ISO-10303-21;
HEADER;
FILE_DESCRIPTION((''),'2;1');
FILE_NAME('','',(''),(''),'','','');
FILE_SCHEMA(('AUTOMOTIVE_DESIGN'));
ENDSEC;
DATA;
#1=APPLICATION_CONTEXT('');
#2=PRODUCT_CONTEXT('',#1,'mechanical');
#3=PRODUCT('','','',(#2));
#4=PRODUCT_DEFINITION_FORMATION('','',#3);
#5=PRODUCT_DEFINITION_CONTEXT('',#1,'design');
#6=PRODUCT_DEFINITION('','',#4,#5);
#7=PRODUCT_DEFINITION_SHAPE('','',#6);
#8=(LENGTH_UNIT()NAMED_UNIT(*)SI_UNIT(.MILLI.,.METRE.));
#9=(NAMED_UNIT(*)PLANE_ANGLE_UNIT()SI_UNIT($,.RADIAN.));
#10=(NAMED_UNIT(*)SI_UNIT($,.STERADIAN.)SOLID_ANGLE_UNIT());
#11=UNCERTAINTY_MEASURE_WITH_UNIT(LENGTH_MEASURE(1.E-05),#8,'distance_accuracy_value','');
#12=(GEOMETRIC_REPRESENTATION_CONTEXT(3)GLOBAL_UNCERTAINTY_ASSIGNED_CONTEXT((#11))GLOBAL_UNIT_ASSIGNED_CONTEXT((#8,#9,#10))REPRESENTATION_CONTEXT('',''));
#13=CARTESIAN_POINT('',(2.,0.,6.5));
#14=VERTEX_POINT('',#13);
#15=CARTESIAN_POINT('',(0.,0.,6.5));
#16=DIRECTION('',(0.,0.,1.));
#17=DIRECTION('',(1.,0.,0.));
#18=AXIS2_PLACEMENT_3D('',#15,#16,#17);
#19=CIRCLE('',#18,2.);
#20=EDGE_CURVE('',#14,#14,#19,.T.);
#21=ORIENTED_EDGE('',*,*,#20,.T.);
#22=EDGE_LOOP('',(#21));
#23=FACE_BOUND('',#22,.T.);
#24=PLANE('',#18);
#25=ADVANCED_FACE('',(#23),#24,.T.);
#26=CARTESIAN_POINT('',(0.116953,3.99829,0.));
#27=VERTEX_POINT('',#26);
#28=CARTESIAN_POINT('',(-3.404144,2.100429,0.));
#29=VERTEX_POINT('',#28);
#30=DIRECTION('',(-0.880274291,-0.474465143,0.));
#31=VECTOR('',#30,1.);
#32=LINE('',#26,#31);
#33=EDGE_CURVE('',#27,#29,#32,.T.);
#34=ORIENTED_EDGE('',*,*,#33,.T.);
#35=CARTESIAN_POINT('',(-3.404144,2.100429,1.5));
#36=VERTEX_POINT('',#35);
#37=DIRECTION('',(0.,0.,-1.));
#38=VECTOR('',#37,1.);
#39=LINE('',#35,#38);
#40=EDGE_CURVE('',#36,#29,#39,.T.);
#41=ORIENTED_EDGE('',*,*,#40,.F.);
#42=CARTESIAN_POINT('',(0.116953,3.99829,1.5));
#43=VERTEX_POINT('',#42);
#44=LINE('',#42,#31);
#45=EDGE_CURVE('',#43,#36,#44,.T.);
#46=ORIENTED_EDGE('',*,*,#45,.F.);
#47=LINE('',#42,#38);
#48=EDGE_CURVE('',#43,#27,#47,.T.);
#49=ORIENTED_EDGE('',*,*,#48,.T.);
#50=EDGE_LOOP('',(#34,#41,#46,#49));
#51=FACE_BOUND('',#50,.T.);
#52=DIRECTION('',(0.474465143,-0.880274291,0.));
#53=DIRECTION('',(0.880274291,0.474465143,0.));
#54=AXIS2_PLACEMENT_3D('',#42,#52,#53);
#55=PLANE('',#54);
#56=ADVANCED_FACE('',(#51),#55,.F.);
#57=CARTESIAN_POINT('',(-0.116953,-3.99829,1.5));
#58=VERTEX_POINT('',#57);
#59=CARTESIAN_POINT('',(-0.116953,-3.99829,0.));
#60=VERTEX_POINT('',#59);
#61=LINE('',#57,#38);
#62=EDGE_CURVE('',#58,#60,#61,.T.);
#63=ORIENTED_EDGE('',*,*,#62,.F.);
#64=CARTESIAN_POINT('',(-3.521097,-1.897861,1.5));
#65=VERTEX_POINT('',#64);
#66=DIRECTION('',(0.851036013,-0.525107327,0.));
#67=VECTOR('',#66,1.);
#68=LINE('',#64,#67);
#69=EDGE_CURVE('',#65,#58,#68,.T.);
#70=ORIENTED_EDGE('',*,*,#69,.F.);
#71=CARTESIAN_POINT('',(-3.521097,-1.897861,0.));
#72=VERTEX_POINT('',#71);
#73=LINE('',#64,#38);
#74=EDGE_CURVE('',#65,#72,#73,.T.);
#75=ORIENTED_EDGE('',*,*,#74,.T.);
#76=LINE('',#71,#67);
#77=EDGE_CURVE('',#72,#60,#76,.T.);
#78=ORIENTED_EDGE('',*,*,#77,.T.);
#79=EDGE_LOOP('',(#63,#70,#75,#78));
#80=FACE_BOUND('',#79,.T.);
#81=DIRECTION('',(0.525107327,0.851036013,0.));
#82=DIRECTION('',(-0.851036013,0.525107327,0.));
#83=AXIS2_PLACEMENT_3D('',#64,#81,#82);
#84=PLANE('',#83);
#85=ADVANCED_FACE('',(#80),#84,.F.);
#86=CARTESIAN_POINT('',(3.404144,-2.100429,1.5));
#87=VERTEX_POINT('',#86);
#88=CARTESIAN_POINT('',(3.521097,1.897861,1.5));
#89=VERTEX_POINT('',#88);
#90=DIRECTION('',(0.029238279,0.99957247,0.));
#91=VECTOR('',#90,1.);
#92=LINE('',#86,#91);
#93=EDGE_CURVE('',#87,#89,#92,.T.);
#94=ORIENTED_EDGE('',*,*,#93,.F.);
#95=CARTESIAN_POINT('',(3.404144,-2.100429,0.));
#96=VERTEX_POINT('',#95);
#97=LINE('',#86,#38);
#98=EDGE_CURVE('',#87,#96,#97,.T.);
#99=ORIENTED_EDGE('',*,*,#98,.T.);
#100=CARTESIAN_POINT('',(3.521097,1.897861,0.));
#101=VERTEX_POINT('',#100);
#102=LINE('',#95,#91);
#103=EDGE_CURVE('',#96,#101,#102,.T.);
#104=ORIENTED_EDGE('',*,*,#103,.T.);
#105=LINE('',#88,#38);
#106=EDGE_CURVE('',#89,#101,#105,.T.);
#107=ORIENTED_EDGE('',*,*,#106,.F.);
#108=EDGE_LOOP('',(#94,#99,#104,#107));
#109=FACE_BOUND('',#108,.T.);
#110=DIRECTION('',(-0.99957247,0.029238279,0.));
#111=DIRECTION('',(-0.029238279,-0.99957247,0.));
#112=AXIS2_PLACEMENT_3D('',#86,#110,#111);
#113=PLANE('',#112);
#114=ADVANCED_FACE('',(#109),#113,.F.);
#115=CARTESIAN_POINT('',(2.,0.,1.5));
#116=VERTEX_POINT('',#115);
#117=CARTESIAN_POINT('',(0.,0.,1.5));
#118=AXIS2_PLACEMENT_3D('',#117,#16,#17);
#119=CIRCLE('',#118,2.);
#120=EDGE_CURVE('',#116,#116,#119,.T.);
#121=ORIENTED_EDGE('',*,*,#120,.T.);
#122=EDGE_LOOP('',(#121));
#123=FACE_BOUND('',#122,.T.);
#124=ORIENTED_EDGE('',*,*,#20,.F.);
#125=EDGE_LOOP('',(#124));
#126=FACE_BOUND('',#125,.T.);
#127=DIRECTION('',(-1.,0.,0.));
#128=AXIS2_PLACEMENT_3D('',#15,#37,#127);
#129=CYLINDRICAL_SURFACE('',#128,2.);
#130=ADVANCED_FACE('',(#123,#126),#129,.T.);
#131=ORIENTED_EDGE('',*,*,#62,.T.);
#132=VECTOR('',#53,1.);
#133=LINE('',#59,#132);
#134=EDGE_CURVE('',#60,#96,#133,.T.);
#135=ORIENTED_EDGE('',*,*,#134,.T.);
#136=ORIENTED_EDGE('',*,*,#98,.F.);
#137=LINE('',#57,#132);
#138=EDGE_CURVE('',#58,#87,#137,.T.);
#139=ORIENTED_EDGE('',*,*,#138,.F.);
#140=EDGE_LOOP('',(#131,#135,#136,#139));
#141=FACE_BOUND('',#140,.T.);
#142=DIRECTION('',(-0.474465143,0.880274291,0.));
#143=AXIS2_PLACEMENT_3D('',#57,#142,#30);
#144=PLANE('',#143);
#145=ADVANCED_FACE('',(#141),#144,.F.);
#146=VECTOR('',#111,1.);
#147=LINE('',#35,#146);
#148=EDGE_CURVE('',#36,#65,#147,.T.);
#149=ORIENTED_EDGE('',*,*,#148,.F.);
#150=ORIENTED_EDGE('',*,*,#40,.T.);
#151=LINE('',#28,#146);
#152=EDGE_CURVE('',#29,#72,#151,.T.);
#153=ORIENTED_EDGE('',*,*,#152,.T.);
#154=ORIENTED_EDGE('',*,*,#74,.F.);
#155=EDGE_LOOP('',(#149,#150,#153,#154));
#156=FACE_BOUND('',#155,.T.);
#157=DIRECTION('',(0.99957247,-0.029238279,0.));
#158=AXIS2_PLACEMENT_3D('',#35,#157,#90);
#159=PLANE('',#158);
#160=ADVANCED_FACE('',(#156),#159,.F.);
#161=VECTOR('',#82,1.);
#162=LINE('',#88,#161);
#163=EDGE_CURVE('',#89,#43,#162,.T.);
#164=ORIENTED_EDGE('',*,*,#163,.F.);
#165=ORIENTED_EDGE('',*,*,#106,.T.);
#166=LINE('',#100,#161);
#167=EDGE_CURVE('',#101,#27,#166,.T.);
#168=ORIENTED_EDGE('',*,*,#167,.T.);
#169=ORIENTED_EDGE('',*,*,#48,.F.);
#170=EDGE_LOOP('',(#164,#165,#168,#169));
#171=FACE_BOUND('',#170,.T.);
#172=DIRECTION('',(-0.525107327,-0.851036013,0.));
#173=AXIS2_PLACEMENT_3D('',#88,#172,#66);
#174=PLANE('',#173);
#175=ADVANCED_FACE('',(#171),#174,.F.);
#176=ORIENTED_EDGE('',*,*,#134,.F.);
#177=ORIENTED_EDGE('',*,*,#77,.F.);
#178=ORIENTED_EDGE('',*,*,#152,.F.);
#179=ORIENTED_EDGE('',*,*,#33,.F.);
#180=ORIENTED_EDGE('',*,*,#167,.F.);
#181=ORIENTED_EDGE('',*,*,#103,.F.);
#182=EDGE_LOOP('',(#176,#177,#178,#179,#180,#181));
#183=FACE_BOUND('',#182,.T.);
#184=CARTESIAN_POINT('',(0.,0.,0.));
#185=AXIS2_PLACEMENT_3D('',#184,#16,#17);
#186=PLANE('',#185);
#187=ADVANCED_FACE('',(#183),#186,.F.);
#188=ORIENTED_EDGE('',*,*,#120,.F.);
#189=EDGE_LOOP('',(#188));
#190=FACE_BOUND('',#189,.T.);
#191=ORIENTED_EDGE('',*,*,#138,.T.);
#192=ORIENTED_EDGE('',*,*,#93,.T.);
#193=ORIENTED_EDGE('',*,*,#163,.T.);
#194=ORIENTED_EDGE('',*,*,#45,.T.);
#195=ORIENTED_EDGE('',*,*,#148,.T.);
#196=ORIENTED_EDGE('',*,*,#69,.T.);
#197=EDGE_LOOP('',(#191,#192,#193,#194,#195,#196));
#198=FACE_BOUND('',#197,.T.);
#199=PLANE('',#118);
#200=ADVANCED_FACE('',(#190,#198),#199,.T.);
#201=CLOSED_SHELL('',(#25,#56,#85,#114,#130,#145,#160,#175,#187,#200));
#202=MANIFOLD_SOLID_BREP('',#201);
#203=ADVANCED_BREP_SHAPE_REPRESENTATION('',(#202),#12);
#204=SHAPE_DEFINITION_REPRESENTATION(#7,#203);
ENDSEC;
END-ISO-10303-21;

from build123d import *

# Parameters (mm, degrees)
EXTRUDE_1_DEPTH = 1.5
SKETCH_2_R      = 2
EXTRUDE_2_DEPTH = 5


with BuildPart() as part:
    # 草图1 → 凸台-拉伸1 (new body)
    with BuildSketch(Plane.XY):
        Polygon((3.404144051, -2.100429308), (3.521097165, 1.897860572), (0.116953114, 3.998289881), (-3.404144051, 2.100429308), (-3.521097165, -1.897860572), (-0.116953114, -3.998289881), align=None)
    extrude(amount=EXTRUDE_1_DEPTH)

    # 草图2 → 凸台-拉伸2 (add)
    with BuildSketch(Plane.XY.offset(1.5)):
        Circle(SKETCH_2_R)
    extrude(amount=EXTRUDE_2_DEPTH)


solid = part.part
